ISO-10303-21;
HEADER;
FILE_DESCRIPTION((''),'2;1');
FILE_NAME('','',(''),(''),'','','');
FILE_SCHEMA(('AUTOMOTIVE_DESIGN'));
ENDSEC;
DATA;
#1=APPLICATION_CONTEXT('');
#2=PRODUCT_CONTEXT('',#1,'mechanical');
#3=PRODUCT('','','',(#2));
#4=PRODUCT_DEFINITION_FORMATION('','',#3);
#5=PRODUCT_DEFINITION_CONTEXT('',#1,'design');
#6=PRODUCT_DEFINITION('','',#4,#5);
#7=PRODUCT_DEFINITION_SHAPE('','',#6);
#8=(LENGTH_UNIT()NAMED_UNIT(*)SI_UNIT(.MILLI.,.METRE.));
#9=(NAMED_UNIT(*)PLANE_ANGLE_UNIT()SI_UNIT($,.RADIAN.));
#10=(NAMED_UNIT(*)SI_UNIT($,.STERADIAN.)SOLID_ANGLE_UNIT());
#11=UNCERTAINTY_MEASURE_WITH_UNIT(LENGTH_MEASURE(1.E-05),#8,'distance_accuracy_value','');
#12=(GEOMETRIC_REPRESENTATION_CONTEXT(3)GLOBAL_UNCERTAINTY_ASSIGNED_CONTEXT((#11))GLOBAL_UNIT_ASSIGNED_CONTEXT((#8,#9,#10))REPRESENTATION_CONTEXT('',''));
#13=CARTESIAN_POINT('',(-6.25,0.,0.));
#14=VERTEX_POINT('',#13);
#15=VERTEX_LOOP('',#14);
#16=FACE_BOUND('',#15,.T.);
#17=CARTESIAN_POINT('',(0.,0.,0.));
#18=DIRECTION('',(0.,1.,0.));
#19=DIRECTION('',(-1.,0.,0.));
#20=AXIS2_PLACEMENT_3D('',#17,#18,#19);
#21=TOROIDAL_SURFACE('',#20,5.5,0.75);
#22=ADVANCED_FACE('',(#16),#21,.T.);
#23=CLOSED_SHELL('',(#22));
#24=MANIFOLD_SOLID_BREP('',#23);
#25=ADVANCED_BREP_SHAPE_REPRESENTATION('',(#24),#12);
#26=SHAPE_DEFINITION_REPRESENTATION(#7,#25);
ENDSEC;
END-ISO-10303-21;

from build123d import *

# Parameters (mm, degrees)
MAINBODYS_R = 0.75


with BuildPart() as part:
    # MainBodyS → MAIN BODY (revolve)
    with BuildSketch(Plane.XY, mode=Mode.PRIVATE) as main_body_sk:
        with Locations((5.5, 0)):
            Circle(MAINBODYS_R)
    revolve(main_body_sk.sketch.rotate(Axis((0, 0, 0), (0, -1, 0)), 180), axis=Axis((0, 0, 0), (0, -1, 0)))


solid = part.part
